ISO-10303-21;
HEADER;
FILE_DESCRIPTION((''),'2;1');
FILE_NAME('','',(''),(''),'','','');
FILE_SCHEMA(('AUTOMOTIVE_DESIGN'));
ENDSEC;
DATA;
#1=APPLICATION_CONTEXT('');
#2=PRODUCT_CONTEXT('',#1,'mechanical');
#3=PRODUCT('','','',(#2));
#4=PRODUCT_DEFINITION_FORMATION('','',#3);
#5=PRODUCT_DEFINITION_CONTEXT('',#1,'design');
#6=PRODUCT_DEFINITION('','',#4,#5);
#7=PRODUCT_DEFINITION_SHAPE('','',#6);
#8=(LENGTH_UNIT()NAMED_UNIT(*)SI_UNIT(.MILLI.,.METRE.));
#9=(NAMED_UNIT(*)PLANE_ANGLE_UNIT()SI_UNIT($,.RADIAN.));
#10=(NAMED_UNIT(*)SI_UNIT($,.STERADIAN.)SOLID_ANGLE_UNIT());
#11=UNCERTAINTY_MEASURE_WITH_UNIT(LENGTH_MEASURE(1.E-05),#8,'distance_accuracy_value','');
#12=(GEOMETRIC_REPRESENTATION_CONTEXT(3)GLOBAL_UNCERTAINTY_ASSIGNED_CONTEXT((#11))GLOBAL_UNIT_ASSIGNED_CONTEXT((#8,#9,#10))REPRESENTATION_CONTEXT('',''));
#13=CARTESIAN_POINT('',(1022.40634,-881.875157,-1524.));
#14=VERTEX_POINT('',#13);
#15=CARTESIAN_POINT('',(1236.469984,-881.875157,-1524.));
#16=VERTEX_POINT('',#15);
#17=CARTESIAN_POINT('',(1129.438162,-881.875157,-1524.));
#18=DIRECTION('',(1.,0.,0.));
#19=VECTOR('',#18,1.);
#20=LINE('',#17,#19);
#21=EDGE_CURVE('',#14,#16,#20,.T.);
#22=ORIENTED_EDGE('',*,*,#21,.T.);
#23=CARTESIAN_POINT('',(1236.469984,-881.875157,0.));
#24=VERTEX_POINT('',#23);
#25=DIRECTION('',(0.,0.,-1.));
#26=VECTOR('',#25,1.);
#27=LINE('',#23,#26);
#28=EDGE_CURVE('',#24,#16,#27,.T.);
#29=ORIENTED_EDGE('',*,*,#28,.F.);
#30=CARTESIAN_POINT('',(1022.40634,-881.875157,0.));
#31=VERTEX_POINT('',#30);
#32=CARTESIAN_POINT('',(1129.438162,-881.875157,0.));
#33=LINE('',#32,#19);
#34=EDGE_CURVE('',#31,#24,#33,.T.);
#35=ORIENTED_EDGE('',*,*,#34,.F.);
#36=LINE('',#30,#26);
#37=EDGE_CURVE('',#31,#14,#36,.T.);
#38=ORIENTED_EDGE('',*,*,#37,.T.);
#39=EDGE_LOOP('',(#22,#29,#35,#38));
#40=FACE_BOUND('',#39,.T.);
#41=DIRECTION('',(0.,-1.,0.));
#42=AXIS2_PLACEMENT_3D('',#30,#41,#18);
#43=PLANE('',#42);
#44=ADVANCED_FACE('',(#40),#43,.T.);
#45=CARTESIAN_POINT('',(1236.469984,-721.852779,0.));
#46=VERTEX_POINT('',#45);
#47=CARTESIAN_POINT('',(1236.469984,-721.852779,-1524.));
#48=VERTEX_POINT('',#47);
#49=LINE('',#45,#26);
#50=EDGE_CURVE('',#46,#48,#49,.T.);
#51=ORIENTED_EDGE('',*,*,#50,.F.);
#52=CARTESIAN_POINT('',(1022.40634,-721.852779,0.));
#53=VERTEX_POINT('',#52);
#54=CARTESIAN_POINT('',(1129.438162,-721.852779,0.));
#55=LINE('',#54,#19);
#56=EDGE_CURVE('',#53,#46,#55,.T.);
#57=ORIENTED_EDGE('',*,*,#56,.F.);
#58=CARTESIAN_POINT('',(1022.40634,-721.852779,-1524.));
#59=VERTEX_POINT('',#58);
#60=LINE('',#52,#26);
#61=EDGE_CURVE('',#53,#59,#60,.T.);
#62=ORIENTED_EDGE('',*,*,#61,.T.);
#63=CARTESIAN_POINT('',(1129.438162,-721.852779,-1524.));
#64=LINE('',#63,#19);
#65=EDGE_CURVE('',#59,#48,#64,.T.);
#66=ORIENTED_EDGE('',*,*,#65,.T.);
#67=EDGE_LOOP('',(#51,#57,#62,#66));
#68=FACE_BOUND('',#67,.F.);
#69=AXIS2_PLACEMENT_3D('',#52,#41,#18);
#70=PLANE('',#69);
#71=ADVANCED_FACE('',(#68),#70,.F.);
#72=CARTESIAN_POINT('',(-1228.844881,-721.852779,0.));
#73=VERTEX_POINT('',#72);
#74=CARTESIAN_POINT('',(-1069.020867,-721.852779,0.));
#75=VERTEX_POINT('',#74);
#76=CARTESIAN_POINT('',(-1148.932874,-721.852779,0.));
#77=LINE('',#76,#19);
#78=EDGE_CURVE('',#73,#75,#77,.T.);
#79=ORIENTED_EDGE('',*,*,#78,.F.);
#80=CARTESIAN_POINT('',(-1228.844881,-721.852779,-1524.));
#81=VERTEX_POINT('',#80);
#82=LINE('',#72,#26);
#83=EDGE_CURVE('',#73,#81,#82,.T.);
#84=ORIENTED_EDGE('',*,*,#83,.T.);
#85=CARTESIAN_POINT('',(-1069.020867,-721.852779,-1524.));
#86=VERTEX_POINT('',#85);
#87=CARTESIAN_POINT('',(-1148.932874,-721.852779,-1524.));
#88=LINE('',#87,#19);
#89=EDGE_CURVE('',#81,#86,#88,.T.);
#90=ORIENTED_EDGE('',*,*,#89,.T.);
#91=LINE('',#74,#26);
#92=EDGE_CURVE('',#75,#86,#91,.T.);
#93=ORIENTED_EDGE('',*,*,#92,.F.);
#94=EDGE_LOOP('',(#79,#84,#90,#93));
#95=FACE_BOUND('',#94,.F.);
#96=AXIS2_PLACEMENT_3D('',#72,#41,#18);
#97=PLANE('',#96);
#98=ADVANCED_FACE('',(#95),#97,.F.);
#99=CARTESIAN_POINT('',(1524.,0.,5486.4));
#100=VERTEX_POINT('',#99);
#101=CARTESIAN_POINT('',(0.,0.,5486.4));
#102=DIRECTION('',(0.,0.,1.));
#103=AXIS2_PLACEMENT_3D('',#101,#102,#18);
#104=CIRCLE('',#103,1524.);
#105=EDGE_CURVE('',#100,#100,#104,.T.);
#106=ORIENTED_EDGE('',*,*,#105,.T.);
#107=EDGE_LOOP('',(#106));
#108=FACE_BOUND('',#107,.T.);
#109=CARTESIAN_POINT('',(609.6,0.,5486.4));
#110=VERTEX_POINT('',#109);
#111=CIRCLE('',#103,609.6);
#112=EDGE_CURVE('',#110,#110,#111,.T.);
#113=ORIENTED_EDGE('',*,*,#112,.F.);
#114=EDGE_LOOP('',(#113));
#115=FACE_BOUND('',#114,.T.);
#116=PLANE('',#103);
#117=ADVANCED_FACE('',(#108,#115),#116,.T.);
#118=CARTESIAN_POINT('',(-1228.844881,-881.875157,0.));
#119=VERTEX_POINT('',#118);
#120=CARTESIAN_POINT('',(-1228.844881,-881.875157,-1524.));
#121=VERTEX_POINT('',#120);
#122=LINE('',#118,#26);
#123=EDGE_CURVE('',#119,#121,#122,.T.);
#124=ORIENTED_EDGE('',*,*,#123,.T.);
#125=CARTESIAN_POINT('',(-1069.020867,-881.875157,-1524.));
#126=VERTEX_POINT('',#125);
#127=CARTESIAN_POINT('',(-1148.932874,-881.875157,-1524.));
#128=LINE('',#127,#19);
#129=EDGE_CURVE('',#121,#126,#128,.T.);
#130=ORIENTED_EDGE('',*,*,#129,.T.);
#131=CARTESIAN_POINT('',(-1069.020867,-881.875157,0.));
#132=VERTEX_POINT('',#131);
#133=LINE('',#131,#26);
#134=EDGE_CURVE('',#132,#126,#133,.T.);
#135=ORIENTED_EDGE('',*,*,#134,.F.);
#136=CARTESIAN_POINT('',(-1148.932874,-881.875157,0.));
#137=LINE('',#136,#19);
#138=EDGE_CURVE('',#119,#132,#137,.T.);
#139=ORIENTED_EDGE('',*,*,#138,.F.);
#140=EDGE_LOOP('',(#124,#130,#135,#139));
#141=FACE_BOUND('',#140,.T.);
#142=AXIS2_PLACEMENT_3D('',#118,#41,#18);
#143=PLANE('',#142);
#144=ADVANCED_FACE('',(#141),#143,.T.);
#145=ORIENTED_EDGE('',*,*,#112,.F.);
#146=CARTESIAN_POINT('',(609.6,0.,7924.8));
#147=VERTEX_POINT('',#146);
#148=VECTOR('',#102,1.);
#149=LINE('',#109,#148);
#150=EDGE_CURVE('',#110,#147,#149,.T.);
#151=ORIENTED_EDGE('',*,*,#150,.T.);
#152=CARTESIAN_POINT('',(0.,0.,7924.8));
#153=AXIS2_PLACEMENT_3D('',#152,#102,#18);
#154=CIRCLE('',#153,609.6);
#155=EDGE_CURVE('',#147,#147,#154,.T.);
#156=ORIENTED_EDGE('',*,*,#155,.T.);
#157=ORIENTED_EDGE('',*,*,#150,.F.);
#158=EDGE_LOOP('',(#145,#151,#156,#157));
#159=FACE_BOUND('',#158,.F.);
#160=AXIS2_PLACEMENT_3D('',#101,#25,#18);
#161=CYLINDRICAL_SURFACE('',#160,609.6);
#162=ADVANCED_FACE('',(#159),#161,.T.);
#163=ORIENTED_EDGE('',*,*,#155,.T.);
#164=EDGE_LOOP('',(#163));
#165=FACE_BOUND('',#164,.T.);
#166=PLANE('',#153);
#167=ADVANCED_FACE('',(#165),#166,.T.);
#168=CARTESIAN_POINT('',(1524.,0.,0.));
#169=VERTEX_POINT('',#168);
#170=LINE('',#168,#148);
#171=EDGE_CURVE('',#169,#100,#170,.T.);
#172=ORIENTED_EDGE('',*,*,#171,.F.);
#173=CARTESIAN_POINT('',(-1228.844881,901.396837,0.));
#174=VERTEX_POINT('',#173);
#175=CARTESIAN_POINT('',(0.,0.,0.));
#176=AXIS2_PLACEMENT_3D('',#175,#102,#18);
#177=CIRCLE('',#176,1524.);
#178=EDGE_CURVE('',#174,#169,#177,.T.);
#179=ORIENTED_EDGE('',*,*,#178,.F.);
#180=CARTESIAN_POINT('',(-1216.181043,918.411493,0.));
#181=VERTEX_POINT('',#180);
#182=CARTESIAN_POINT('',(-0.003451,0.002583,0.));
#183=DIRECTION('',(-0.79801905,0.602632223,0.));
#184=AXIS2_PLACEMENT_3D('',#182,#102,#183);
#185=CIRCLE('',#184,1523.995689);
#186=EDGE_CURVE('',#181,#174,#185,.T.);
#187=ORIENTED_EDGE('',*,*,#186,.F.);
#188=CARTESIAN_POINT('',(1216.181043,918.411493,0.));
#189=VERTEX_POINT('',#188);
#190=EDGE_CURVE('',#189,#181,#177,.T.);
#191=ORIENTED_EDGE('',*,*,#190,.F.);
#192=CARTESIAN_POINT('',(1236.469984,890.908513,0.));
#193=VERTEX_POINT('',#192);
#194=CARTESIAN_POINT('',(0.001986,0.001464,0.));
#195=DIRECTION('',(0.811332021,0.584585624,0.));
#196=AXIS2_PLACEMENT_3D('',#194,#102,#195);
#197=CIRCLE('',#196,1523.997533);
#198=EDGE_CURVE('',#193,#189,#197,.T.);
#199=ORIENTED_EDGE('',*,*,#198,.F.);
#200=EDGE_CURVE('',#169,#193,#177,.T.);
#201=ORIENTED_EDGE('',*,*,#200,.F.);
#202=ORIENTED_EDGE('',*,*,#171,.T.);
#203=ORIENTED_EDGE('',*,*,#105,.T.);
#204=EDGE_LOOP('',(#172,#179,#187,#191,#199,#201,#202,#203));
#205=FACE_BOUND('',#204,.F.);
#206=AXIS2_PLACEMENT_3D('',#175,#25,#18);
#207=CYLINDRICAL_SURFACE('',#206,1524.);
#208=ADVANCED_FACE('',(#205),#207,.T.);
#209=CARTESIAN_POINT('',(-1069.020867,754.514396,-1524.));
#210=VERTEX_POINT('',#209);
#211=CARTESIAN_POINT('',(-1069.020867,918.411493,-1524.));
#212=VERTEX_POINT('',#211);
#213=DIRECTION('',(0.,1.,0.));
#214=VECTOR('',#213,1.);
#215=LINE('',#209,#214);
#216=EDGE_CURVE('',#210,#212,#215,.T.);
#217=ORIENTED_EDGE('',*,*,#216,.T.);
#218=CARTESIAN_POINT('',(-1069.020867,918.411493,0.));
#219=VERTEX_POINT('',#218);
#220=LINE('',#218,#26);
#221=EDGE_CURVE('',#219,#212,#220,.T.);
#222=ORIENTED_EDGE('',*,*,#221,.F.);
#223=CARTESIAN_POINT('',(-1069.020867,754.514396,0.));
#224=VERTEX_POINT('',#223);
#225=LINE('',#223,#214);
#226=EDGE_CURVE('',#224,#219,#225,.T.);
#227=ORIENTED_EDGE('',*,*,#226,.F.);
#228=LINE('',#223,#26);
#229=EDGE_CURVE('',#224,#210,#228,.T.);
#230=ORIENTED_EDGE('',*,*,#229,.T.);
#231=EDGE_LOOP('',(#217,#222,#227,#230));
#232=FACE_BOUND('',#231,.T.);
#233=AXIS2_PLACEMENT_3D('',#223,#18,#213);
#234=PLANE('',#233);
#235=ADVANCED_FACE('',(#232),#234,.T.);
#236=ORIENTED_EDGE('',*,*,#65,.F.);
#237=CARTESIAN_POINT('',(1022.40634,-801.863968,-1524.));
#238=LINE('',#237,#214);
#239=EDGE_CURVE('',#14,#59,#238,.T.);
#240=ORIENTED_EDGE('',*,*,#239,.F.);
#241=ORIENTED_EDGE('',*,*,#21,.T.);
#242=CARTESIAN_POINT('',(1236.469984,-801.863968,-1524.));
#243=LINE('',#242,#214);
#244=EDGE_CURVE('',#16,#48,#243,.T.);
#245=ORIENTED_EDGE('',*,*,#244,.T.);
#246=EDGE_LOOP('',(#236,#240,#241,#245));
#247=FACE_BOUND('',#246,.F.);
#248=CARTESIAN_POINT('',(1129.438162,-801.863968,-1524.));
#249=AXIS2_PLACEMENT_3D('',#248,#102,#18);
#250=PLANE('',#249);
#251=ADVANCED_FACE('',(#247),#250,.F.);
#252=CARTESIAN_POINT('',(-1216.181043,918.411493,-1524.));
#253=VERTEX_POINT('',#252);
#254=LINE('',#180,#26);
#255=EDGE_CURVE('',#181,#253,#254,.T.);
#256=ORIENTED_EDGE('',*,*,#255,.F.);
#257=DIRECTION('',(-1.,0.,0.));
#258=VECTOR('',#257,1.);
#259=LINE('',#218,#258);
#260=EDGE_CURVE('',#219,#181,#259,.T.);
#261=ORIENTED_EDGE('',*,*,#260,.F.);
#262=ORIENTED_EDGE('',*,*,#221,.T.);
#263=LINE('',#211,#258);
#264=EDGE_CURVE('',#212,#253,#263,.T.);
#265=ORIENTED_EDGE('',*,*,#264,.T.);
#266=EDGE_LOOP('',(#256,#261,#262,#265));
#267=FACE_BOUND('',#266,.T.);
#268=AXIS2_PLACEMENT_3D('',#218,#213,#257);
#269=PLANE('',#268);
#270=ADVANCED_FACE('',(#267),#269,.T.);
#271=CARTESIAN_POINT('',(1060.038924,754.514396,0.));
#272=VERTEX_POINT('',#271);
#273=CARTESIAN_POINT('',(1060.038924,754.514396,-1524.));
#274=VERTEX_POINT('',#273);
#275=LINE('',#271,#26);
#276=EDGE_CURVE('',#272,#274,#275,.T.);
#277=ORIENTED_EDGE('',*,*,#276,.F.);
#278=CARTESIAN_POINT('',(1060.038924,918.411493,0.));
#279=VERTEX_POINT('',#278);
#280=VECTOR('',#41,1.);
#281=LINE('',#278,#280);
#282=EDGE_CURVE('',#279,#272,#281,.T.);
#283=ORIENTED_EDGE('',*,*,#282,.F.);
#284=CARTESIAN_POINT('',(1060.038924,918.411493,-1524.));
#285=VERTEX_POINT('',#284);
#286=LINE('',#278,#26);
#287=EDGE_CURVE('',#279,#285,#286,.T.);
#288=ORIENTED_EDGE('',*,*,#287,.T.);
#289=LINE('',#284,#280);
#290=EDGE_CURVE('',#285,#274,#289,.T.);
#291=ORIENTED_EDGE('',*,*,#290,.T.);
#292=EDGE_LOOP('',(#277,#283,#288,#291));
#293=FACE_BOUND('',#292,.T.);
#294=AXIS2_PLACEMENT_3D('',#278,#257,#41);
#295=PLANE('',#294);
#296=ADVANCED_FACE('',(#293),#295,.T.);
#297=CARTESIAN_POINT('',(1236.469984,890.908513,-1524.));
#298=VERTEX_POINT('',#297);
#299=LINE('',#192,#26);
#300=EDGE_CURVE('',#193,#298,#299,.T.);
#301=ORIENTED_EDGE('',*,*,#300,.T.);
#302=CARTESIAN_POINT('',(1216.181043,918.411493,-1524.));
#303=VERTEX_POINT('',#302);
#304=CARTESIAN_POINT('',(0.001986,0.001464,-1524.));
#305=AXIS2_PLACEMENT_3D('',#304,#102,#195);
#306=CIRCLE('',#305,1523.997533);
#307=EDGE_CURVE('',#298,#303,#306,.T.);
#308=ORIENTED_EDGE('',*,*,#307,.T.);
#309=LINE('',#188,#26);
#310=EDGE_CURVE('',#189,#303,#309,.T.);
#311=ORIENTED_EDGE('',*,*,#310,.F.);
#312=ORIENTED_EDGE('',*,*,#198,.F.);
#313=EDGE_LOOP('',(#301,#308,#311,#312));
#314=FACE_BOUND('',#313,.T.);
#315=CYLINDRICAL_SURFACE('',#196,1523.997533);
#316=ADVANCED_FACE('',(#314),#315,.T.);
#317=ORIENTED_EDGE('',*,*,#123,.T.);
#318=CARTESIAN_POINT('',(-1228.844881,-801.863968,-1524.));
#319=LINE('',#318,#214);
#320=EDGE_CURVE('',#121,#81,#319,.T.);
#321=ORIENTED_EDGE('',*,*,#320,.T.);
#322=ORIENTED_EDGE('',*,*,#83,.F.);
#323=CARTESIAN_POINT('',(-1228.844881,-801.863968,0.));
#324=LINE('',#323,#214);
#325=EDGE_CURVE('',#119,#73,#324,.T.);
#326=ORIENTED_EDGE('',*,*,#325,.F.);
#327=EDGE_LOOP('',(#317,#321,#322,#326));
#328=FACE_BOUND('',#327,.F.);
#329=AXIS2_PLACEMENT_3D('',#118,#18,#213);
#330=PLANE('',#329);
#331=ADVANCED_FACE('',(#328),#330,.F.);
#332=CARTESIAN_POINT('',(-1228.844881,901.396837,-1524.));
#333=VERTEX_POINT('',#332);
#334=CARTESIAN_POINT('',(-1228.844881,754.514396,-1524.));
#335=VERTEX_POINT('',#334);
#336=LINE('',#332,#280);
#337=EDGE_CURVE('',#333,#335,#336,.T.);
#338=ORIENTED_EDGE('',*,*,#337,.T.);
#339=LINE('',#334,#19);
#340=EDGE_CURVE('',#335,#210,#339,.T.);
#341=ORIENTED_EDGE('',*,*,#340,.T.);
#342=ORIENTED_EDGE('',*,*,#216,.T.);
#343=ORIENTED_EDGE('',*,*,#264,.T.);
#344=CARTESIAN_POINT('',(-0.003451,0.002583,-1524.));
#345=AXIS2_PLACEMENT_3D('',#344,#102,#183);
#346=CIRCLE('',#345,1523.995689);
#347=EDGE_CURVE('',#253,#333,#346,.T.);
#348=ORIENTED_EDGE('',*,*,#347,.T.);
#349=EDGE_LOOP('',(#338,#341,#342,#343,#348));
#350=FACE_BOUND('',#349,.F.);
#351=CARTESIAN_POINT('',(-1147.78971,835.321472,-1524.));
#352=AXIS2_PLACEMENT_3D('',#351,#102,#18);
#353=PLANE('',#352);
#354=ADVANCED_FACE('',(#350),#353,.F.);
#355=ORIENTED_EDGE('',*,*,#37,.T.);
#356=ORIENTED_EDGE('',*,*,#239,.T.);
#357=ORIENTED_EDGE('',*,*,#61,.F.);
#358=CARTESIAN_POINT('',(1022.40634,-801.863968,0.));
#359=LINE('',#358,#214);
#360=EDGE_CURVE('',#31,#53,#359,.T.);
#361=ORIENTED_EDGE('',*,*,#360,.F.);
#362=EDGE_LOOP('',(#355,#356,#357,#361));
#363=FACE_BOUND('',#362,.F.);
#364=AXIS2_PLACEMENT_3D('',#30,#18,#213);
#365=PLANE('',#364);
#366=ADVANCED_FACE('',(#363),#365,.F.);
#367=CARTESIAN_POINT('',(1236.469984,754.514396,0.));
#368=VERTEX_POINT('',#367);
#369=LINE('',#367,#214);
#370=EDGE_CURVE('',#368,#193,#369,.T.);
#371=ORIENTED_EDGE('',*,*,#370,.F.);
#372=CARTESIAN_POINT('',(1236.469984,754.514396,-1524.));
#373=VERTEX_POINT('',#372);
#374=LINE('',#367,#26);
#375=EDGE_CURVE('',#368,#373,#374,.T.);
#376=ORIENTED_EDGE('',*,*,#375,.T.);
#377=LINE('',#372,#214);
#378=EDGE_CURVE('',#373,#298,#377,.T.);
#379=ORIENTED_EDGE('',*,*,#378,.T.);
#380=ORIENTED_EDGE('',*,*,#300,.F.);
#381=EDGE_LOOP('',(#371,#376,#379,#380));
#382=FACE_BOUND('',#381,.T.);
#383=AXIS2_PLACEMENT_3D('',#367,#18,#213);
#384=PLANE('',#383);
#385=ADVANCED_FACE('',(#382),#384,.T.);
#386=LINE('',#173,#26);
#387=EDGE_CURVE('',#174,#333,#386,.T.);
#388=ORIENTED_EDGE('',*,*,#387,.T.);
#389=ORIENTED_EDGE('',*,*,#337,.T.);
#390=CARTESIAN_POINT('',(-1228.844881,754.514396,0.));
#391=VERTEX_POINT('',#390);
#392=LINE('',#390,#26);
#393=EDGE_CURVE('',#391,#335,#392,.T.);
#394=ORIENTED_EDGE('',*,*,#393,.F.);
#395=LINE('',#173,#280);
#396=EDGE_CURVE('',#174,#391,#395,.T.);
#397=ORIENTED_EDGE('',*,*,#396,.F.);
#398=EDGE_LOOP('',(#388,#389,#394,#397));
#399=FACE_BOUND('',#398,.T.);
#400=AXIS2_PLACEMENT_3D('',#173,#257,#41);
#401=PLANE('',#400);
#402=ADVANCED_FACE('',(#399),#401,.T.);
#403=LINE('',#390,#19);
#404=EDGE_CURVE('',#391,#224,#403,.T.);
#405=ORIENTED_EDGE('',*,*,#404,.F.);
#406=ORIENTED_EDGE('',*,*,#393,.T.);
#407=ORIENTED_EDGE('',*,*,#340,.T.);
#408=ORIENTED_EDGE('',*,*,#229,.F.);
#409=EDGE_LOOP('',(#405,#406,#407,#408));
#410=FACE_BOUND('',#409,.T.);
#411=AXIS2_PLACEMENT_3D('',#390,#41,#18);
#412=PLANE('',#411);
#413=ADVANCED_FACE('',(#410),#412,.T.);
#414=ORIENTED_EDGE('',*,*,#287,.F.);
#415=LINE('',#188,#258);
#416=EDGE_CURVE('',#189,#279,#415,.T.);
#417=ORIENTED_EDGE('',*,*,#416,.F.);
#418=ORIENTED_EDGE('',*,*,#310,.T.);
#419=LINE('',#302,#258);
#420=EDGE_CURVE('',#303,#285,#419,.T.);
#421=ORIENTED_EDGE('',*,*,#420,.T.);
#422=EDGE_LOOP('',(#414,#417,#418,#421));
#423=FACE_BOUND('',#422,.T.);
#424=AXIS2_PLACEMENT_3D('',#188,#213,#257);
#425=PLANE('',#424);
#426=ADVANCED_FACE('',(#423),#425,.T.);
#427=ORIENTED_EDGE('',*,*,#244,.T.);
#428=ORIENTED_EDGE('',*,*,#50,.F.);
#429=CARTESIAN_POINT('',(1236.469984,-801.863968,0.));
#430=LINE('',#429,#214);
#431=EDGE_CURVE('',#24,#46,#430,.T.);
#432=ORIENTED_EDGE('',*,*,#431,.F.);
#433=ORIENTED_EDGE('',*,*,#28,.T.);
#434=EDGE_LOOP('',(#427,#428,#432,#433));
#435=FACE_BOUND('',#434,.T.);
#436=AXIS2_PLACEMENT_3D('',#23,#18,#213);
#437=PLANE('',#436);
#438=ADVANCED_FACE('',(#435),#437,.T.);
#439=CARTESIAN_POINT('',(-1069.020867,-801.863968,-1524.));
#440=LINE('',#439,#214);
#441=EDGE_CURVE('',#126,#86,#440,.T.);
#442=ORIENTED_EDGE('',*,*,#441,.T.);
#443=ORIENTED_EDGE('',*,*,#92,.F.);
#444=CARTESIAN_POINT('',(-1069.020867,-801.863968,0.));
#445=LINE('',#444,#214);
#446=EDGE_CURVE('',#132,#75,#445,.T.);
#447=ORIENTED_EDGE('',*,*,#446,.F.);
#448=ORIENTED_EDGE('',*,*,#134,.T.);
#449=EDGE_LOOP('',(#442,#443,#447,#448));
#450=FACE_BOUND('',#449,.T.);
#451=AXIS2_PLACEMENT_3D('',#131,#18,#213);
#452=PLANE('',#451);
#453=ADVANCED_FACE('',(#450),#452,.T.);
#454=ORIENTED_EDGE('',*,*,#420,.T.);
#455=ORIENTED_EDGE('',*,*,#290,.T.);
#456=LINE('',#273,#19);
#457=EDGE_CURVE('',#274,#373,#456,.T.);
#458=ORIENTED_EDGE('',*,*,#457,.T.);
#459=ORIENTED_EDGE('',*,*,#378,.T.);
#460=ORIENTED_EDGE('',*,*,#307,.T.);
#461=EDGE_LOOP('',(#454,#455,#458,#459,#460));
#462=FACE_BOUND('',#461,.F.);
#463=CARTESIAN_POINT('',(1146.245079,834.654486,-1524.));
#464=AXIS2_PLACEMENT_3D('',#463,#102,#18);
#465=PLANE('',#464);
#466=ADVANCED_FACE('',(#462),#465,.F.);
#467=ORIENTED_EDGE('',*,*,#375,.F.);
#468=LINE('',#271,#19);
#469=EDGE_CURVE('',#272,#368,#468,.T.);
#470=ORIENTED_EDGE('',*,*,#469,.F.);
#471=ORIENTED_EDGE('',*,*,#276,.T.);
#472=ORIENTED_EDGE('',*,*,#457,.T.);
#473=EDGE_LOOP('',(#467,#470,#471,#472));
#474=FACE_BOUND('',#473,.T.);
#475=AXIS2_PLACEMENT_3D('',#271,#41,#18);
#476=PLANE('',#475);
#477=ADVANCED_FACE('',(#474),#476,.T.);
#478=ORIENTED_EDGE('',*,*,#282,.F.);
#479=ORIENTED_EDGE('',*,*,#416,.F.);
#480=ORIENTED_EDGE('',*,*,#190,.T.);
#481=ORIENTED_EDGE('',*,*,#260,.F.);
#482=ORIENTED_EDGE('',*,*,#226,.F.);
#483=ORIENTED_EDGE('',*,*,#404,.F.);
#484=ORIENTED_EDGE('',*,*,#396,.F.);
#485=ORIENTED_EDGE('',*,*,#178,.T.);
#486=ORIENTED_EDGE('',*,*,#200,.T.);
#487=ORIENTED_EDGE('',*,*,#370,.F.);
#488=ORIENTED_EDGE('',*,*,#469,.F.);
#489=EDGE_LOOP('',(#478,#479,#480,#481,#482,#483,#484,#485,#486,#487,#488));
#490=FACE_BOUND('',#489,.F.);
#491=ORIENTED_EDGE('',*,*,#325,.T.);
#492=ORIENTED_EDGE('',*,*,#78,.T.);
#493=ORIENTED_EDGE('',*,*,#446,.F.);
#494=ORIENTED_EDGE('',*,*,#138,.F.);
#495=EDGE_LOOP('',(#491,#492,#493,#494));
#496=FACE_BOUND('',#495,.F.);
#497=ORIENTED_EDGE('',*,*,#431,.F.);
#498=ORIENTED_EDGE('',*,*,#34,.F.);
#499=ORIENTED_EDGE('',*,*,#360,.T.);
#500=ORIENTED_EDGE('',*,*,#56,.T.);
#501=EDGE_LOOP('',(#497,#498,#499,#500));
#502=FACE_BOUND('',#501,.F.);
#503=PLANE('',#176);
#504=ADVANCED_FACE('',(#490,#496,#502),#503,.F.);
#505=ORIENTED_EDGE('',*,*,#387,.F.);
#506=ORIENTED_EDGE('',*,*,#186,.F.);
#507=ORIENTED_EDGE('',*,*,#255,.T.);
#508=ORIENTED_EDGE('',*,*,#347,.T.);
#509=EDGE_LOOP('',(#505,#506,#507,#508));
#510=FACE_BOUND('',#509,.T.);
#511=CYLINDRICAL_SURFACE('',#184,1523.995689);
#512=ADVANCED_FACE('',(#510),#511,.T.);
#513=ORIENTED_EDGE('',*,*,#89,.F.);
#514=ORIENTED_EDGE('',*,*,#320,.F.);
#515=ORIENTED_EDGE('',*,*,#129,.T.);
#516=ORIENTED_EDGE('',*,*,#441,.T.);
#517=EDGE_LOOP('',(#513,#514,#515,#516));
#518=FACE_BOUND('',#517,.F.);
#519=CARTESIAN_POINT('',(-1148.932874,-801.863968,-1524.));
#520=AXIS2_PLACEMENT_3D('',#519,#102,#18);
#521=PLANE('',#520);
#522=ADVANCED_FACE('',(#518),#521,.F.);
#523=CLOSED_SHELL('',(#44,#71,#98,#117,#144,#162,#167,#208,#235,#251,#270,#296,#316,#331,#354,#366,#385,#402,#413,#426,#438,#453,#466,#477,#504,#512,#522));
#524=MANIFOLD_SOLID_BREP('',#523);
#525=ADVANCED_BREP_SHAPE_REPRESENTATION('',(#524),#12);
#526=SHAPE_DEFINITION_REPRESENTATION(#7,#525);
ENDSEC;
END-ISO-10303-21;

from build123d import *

# Parameters (mm, degrees)
F0_R     = 1524
F1_DEPTH = 5486.4
F2_R     = 609.6
F3_DEPTH = 2438.4
F4_W     = 159.824014
F4_H     = 160.022378
F4_W_2   = 214.063644
F5_DEPTH = 1524


with BuildPart() as f1:
    # F0 (on Top) → F1 (new body)
    with BuildSketch(Plane.XY):
        Circle(F0_R)
    extrude(amount=F1_DEPTH)

    # F2 (on face) → F3 (join)
    with BuildSketch(Plane.XY.offset(5486.4)):
        Circle(F2_R)
    extrude(amount=F3_DEPTH)

    # F4 (on face) → F5 (join)
    with BuildSketch(Plane.XY):
        with Locations((-1148.932874, -801.863968)):
            Rectangle(F4_W, F4_H)
        with BuildLine():
            Line((-1069.020867, 754.514396), (-1069.020867, 918.411493))
            Line((-1069.020867, 918.411493), (-1216.181043, 918.411493))
            ThreePointArc((-1216.181043, 918.411493), (-1222.542562, 909.926197), (-1228.844881, 901.396837))
            Line((-1228.844881, 901.396837), (-1228.844881, 754.514396))
            Line((-1228.844881, 754.514396), (-1069.020867, 754.514396))
        make_face()
        with BuildLine():
            Line((1216.181043, 918.411493), (1060.038924, 918.411493))
            Line((1060.038924, 918.411493), (1060.038924, 754.514396))
            Line((1060.038924, 754.514396), (1236.469984, 754.514396))
            Line((1236.469984, 754.514396), (1236.469984, 890.908513))
            ThreePointArc((1236.469984, 890.908513), (1226.402613, 904.716879), (1216.181043, 918.411493))
        make_face()
        with Locations((1129.438162, -801.863968)):
            Rectangle(F4_W_2, F4_H)
    extrude(amount=-F5_DEPTH)


solid = f1.part
